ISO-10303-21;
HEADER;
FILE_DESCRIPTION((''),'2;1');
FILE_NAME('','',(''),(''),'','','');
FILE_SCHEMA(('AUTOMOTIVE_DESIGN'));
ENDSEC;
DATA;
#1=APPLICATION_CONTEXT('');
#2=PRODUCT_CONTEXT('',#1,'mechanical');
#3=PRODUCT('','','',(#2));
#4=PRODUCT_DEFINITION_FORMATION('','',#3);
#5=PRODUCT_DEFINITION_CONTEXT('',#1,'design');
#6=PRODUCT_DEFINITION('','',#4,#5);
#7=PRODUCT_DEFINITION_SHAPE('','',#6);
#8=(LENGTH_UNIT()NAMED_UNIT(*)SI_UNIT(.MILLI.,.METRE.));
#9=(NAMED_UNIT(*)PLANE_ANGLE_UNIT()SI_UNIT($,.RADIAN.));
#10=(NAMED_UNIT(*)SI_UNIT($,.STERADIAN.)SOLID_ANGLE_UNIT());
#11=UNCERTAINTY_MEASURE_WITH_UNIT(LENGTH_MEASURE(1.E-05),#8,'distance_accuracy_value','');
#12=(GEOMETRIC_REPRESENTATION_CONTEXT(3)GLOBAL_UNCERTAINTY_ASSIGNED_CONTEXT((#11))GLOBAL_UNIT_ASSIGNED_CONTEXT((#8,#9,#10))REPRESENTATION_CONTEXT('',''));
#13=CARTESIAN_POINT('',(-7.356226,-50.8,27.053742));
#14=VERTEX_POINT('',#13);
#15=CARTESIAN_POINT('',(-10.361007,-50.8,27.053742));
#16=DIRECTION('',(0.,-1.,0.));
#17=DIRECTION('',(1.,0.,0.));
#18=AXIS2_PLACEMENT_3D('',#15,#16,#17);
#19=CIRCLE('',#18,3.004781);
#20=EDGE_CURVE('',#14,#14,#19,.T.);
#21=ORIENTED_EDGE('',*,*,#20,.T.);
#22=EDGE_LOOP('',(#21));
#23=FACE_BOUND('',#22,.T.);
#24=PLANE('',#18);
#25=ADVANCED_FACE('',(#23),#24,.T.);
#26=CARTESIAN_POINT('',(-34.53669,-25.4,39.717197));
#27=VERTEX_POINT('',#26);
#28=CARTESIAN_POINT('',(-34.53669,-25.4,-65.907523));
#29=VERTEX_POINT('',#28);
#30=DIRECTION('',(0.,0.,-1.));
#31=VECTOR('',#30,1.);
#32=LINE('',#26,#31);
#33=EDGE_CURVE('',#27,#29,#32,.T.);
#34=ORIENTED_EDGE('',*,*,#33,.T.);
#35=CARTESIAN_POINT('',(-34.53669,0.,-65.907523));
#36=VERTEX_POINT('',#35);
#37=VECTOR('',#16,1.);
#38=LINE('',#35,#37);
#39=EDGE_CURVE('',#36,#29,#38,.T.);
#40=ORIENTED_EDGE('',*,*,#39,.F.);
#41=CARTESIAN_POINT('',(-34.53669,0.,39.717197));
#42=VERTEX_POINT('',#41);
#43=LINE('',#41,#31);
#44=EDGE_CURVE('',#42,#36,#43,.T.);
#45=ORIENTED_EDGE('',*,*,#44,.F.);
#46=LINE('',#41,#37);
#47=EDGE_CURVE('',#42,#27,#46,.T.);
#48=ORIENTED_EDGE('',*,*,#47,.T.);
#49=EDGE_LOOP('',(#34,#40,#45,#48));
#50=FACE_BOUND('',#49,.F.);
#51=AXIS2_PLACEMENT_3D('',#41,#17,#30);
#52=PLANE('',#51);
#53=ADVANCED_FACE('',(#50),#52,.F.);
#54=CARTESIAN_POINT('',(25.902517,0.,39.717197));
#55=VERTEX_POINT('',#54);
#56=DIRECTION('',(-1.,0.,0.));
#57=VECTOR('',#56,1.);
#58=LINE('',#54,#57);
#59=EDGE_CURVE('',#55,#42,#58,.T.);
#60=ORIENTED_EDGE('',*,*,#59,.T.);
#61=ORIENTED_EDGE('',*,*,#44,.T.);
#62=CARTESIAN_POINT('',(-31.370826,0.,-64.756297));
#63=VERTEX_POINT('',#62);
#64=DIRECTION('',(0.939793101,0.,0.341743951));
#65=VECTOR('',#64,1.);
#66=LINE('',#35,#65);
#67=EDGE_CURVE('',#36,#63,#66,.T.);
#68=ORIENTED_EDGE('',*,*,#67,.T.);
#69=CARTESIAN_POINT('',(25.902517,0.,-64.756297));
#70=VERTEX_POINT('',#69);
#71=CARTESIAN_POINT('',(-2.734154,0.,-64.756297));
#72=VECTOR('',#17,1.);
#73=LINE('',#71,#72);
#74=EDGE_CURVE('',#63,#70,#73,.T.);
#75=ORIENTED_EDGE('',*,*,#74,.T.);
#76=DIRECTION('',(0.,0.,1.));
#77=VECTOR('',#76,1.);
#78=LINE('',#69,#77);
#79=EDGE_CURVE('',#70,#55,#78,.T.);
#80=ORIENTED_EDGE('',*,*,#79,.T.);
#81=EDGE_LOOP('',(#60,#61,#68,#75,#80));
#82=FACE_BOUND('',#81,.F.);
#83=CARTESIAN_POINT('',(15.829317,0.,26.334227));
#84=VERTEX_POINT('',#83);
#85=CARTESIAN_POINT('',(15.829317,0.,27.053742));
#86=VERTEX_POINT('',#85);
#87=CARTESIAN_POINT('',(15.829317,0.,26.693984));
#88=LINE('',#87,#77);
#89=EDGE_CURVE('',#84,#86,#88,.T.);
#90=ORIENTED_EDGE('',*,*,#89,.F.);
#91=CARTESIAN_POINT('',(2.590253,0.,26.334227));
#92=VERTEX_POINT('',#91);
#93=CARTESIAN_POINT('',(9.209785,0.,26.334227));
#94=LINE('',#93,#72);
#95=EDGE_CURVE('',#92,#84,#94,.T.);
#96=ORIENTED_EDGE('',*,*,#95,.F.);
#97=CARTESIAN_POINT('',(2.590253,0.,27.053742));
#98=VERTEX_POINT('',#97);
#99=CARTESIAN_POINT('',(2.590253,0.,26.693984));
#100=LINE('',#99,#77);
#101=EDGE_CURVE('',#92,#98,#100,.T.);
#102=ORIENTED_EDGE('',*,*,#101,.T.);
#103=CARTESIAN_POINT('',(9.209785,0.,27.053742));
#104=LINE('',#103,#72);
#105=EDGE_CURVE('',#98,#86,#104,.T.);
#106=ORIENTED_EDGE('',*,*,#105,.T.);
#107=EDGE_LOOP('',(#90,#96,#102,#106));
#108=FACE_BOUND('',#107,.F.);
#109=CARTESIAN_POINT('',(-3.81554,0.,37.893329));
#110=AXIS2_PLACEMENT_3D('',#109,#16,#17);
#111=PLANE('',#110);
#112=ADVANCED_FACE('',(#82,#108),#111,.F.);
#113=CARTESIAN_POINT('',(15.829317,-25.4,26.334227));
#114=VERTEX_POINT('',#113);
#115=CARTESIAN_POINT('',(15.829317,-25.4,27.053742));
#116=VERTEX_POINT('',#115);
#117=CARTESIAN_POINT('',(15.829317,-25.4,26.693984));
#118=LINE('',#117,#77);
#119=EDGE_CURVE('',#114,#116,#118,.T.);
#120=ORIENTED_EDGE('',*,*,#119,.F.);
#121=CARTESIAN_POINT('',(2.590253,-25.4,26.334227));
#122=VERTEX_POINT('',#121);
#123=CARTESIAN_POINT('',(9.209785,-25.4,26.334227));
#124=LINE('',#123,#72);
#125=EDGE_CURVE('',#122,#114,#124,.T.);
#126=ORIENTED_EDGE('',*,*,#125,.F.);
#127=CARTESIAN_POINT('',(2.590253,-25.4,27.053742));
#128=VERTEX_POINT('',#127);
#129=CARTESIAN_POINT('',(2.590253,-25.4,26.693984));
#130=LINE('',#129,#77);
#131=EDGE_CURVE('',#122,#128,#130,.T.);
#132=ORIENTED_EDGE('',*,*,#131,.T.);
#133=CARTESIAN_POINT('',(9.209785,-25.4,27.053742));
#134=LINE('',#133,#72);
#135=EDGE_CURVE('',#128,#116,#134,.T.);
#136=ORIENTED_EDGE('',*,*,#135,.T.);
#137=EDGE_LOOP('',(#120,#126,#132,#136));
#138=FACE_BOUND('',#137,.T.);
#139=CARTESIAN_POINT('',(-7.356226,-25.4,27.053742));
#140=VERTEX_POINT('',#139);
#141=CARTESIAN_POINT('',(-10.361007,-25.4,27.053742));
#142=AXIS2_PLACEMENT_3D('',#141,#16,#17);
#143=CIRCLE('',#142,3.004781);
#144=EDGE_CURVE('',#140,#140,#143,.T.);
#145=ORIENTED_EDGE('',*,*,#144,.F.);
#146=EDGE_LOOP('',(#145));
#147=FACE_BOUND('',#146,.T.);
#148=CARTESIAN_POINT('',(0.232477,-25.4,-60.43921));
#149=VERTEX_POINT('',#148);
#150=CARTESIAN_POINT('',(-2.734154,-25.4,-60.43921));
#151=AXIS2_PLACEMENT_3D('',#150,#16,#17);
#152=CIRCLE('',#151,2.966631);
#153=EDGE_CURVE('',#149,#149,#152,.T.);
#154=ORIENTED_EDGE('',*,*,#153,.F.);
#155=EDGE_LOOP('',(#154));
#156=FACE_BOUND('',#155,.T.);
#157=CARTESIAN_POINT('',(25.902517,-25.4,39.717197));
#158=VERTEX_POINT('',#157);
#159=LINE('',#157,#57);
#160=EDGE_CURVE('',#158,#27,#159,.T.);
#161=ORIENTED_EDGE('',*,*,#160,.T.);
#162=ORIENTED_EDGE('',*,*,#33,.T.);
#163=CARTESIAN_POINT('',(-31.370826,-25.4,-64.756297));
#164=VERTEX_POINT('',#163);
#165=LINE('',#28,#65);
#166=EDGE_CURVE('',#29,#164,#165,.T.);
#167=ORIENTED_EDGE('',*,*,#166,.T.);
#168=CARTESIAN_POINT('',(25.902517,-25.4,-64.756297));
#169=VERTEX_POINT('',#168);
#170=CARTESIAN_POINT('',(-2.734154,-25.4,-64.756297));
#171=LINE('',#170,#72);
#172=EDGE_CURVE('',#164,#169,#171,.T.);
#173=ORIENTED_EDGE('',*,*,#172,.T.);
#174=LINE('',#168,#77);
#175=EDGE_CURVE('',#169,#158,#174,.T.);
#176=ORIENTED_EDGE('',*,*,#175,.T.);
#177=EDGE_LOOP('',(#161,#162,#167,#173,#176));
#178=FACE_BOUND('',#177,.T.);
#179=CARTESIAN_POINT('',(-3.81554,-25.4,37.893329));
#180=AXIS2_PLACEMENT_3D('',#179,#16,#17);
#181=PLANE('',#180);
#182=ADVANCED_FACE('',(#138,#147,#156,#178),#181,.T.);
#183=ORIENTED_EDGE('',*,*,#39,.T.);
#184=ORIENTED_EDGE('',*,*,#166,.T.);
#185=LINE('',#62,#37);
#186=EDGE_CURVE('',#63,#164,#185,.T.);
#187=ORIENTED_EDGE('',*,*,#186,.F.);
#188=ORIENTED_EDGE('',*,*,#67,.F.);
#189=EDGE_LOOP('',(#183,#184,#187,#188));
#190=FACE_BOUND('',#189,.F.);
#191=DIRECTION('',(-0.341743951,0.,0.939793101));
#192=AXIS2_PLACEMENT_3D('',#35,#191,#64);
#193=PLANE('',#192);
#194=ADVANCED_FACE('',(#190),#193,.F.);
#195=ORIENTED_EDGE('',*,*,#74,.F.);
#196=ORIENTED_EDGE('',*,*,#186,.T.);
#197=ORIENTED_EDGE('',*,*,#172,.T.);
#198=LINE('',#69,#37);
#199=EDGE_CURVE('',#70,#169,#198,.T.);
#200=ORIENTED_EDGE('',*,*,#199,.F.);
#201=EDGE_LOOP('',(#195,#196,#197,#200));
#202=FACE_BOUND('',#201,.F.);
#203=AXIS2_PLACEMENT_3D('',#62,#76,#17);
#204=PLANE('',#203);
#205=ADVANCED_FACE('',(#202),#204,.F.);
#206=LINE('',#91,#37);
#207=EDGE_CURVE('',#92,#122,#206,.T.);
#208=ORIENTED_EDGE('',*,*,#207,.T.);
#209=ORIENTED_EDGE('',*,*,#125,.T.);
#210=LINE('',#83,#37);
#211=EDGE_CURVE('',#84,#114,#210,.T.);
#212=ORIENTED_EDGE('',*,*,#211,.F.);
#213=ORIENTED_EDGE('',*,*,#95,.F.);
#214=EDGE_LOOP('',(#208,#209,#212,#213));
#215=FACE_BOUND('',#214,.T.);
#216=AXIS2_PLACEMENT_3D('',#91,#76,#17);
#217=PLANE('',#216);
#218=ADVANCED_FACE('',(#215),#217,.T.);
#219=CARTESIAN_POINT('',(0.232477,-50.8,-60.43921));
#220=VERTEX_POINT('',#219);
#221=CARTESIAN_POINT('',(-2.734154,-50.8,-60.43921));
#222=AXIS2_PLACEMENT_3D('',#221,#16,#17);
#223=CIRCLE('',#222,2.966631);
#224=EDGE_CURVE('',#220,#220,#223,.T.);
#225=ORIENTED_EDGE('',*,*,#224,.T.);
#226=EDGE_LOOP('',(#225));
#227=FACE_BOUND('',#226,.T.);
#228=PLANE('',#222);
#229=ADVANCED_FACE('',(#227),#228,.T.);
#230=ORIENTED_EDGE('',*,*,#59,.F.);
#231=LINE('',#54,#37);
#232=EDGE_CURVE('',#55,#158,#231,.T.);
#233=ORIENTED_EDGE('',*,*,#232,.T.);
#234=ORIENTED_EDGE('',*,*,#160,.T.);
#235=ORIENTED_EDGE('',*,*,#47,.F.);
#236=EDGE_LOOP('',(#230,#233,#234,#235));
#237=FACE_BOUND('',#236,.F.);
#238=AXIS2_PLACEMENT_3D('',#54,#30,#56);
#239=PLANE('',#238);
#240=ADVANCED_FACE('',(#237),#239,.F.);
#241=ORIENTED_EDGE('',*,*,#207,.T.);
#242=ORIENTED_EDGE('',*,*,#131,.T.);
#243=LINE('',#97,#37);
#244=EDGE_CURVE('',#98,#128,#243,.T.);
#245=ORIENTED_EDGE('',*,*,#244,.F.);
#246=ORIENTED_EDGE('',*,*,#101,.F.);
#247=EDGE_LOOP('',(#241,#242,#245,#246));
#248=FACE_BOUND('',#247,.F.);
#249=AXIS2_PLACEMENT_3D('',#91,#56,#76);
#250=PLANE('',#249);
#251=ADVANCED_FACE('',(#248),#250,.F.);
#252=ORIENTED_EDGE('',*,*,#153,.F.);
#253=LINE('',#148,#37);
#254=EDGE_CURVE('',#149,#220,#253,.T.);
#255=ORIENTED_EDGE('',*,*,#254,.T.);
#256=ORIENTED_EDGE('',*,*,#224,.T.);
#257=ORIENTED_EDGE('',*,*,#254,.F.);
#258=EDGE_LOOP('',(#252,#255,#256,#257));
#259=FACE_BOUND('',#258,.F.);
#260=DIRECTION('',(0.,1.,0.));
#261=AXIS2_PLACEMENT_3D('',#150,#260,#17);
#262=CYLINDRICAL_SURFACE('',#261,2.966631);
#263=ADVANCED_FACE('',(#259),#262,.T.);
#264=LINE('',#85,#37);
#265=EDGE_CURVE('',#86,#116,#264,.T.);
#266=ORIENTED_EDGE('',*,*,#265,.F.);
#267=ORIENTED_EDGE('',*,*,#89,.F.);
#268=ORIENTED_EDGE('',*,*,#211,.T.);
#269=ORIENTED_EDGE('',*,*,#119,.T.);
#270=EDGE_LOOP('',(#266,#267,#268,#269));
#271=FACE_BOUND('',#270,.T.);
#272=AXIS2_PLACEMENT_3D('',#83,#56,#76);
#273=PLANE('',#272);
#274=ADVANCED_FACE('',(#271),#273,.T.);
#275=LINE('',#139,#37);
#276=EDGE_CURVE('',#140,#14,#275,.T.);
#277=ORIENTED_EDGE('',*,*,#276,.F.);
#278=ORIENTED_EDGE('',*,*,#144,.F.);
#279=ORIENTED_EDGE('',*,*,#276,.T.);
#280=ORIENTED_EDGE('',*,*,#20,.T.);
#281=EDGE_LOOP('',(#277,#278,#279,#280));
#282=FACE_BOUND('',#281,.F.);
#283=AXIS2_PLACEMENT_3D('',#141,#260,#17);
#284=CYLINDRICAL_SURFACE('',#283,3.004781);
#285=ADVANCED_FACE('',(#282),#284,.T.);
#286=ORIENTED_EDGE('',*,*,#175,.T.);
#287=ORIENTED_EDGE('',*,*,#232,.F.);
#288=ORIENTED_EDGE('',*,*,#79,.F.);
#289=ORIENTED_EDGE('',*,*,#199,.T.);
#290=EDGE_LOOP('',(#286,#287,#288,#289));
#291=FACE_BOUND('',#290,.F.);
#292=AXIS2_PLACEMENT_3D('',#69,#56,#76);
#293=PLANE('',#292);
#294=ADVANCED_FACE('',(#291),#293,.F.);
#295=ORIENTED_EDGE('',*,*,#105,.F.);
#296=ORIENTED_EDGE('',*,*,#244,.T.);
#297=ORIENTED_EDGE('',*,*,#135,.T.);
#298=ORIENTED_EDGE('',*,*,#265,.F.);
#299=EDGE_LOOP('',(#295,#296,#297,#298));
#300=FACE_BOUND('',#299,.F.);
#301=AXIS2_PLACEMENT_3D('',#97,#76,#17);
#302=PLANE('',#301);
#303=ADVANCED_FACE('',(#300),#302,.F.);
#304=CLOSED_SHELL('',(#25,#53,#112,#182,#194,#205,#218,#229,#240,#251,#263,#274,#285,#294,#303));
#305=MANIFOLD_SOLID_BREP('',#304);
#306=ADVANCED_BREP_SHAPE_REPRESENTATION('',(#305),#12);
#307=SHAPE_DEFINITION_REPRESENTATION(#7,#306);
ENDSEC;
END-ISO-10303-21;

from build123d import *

# Parameters (mm, degrees)
F0_W     = 57.2733432055
F0_H     = 100.7320135832
F0_W_2   = 13.239064021
F0_H_2   = 0.7195146754
F1_DEPTH = 25.4
F2_R     = 3.0047813391
F2_R_2   = 2.9666314484
F3_DEPTH = 25.4


with BuildPart() as f1:
    # F0 (on Front) → F1 (new body)
    with BuildSketch(Plane.XZ):
        Polygon((-34.5366895199, 39.7171974182), (-31.3708260655, 35.9757170081), (25.9025171399, 35.9757170081), (25.9025171399, 39.7171974182), align=None)
        with Locations((-2.7341544628, -14.3902897835)):
            Rectangle(F0_W, F0_H)
        with Locations((9.2097852612, 26.6939844005)):
            Rectangle(F0_W_2, F0_H_2, mode=Mode.SUBTRACT)
        Polygon((-31.3708260655, -64.7562965751), (-31.3708260655, 35.9757170081), (-34.5366895199, 39.7171974182), (-34.5366895199, -65.907523036), align=None)
    extrude(amount=F1_DEPTH)

    # F2 (on face) → F3 (join)
    with BuildSketch(Plane.XZ.offset(25.4)):
        with Locations((-10.3610074148, 27.0537417382)):
            Circle(F2_R)
        with Locations((-2.7341544628, -60.4392103851)):
            Circle(F2_R_2)
    extrude(amount=F3_DEPTH)


solid = f1.part
